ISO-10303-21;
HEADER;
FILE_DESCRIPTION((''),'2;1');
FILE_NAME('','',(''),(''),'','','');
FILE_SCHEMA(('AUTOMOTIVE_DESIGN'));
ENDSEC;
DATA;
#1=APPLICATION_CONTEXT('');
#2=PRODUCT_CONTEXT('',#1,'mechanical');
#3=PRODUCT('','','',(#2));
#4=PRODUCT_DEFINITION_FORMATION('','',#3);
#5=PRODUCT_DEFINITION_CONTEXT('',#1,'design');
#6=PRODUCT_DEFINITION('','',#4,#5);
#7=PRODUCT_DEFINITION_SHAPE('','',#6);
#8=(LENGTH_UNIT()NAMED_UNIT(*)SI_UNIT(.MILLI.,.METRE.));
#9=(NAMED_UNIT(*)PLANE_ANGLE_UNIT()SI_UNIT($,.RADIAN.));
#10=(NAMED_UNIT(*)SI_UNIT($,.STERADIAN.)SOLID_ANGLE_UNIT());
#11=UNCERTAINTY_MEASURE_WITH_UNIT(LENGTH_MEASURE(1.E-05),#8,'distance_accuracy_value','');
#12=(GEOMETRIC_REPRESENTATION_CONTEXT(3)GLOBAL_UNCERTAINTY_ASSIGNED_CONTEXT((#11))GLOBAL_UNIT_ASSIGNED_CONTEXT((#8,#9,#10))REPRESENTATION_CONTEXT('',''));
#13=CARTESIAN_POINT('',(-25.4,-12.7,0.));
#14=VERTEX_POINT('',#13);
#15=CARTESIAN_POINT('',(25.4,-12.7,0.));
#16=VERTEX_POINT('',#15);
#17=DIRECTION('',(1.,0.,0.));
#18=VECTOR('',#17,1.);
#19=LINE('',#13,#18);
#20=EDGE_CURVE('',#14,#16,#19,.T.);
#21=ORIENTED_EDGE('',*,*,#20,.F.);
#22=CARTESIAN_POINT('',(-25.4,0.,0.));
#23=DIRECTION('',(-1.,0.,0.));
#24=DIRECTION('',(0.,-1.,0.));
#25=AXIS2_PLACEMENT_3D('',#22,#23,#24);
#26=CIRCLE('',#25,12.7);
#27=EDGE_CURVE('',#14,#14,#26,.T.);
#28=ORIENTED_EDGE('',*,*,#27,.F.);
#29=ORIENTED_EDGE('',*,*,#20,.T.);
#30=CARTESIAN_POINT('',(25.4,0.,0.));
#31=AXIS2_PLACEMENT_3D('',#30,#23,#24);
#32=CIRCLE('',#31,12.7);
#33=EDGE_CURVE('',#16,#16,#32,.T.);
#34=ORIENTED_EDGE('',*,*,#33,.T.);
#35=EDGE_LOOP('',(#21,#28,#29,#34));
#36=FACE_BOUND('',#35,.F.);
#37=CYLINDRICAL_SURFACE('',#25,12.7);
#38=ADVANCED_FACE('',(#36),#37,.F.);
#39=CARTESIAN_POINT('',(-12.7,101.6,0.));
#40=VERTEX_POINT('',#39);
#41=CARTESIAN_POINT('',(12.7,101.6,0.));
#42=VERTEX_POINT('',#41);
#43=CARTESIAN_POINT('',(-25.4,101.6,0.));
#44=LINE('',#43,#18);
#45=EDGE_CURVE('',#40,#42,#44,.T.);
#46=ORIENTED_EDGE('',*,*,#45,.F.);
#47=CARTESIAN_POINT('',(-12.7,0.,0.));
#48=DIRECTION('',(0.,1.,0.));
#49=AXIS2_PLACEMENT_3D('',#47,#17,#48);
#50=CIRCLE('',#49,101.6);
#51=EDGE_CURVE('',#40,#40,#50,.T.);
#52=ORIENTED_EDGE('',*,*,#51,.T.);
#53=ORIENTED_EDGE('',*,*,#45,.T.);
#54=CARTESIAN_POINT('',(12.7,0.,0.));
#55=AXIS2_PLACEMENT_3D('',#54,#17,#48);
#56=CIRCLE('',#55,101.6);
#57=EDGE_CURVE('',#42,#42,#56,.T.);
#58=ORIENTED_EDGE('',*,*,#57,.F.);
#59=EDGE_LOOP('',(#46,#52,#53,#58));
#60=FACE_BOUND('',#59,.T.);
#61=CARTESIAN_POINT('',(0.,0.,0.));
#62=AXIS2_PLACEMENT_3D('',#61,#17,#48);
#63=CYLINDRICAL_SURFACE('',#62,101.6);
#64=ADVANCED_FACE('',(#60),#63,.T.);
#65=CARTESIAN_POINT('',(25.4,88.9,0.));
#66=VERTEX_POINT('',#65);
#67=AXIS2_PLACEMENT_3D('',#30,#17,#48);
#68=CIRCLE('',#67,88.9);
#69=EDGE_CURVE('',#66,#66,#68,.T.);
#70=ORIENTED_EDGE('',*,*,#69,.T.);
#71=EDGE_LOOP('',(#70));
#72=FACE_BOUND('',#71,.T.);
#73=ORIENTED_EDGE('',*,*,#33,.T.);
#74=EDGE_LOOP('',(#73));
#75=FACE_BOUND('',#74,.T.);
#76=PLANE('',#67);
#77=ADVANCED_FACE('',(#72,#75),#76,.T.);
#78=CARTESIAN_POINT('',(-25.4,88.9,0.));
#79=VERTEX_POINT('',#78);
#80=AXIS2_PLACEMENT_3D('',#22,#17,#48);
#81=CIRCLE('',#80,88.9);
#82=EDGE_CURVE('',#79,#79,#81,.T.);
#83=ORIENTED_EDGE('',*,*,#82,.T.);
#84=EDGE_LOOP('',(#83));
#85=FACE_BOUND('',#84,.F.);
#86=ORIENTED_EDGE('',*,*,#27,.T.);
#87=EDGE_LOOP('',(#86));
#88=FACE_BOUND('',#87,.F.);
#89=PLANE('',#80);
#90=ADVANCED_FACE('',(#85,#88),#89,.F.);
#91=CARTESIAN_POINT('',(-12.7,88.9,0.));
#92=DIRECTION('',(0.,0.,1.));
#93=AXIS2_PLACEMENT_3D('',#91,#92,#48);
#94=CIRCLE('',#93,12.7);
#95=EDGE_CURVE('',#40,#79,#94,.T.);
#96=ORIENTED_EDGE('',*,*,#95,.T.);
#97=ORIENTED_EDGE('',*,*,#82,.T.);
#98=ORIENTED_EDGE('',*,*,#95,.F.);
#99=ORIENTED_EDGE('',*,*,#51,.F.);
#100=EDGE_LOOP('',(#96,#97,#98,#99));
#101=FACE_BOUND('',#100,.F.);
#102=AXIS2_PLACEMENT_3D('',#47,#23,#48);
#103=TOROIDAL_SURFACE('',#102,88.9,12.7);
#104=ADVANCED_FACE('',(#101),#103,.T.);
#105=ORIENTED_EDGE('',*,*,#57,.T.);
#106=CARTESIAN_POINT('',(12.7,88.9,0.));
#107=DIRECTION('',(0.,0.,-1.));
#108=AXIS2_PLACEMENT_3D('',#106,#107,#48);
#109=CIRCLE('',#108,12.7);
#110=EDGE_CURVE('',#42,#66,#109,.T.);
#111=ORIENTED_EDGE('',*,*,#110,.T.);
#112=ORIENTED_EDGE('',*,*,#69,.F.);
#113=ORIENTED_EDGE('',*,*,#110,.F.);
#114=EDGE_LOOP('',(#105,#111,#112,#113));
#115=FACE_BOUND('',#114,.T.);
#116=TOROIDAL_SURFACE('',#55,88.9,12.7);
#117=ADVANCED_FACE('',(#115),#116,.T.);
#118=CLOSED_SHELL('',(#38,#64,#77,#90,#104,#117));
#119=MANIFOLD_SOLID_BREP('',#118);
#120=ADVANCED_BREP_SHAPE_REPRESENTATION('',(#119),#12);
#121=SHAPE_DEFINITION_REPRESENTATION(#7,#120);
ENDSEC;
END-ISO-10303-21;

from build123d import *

# Parameters (mm, degrees)
F0_R     = 101.6
F1_DEPTH = 25.4
F2_R     = 12.7
F3_R     = 12.7
F4_DEPTH = 50.801


with BuildPart() as f1:
    # F0 (on Right) → F1 (new body, symmetric)
    with BuildSketch(Plane.YZ):
        Circle(F0_R)
    extrude(amount=F1_DEPTH, both=True)

    # F2
    f2_edges = [f1.edges().sort_by_distance(p)[0] for p in [
        (-25.4, -101.6, 0),
        (25.4, -101.6, 0),
    ]]
    fillet(f2_edges, radius=F2_R)

    # F3 (on face) → F4 (cut, through all)
    with BuildSketch(Plane(origin=(-25.4, 0, 0), x_dir=(0, -1, 0), z_dir=(-1, 0, 0))):
        Circle(F3_R)
    extrude(amount=-F4_DEPTH, mode=Mode.SUBTRACT)


solid = f1.part
